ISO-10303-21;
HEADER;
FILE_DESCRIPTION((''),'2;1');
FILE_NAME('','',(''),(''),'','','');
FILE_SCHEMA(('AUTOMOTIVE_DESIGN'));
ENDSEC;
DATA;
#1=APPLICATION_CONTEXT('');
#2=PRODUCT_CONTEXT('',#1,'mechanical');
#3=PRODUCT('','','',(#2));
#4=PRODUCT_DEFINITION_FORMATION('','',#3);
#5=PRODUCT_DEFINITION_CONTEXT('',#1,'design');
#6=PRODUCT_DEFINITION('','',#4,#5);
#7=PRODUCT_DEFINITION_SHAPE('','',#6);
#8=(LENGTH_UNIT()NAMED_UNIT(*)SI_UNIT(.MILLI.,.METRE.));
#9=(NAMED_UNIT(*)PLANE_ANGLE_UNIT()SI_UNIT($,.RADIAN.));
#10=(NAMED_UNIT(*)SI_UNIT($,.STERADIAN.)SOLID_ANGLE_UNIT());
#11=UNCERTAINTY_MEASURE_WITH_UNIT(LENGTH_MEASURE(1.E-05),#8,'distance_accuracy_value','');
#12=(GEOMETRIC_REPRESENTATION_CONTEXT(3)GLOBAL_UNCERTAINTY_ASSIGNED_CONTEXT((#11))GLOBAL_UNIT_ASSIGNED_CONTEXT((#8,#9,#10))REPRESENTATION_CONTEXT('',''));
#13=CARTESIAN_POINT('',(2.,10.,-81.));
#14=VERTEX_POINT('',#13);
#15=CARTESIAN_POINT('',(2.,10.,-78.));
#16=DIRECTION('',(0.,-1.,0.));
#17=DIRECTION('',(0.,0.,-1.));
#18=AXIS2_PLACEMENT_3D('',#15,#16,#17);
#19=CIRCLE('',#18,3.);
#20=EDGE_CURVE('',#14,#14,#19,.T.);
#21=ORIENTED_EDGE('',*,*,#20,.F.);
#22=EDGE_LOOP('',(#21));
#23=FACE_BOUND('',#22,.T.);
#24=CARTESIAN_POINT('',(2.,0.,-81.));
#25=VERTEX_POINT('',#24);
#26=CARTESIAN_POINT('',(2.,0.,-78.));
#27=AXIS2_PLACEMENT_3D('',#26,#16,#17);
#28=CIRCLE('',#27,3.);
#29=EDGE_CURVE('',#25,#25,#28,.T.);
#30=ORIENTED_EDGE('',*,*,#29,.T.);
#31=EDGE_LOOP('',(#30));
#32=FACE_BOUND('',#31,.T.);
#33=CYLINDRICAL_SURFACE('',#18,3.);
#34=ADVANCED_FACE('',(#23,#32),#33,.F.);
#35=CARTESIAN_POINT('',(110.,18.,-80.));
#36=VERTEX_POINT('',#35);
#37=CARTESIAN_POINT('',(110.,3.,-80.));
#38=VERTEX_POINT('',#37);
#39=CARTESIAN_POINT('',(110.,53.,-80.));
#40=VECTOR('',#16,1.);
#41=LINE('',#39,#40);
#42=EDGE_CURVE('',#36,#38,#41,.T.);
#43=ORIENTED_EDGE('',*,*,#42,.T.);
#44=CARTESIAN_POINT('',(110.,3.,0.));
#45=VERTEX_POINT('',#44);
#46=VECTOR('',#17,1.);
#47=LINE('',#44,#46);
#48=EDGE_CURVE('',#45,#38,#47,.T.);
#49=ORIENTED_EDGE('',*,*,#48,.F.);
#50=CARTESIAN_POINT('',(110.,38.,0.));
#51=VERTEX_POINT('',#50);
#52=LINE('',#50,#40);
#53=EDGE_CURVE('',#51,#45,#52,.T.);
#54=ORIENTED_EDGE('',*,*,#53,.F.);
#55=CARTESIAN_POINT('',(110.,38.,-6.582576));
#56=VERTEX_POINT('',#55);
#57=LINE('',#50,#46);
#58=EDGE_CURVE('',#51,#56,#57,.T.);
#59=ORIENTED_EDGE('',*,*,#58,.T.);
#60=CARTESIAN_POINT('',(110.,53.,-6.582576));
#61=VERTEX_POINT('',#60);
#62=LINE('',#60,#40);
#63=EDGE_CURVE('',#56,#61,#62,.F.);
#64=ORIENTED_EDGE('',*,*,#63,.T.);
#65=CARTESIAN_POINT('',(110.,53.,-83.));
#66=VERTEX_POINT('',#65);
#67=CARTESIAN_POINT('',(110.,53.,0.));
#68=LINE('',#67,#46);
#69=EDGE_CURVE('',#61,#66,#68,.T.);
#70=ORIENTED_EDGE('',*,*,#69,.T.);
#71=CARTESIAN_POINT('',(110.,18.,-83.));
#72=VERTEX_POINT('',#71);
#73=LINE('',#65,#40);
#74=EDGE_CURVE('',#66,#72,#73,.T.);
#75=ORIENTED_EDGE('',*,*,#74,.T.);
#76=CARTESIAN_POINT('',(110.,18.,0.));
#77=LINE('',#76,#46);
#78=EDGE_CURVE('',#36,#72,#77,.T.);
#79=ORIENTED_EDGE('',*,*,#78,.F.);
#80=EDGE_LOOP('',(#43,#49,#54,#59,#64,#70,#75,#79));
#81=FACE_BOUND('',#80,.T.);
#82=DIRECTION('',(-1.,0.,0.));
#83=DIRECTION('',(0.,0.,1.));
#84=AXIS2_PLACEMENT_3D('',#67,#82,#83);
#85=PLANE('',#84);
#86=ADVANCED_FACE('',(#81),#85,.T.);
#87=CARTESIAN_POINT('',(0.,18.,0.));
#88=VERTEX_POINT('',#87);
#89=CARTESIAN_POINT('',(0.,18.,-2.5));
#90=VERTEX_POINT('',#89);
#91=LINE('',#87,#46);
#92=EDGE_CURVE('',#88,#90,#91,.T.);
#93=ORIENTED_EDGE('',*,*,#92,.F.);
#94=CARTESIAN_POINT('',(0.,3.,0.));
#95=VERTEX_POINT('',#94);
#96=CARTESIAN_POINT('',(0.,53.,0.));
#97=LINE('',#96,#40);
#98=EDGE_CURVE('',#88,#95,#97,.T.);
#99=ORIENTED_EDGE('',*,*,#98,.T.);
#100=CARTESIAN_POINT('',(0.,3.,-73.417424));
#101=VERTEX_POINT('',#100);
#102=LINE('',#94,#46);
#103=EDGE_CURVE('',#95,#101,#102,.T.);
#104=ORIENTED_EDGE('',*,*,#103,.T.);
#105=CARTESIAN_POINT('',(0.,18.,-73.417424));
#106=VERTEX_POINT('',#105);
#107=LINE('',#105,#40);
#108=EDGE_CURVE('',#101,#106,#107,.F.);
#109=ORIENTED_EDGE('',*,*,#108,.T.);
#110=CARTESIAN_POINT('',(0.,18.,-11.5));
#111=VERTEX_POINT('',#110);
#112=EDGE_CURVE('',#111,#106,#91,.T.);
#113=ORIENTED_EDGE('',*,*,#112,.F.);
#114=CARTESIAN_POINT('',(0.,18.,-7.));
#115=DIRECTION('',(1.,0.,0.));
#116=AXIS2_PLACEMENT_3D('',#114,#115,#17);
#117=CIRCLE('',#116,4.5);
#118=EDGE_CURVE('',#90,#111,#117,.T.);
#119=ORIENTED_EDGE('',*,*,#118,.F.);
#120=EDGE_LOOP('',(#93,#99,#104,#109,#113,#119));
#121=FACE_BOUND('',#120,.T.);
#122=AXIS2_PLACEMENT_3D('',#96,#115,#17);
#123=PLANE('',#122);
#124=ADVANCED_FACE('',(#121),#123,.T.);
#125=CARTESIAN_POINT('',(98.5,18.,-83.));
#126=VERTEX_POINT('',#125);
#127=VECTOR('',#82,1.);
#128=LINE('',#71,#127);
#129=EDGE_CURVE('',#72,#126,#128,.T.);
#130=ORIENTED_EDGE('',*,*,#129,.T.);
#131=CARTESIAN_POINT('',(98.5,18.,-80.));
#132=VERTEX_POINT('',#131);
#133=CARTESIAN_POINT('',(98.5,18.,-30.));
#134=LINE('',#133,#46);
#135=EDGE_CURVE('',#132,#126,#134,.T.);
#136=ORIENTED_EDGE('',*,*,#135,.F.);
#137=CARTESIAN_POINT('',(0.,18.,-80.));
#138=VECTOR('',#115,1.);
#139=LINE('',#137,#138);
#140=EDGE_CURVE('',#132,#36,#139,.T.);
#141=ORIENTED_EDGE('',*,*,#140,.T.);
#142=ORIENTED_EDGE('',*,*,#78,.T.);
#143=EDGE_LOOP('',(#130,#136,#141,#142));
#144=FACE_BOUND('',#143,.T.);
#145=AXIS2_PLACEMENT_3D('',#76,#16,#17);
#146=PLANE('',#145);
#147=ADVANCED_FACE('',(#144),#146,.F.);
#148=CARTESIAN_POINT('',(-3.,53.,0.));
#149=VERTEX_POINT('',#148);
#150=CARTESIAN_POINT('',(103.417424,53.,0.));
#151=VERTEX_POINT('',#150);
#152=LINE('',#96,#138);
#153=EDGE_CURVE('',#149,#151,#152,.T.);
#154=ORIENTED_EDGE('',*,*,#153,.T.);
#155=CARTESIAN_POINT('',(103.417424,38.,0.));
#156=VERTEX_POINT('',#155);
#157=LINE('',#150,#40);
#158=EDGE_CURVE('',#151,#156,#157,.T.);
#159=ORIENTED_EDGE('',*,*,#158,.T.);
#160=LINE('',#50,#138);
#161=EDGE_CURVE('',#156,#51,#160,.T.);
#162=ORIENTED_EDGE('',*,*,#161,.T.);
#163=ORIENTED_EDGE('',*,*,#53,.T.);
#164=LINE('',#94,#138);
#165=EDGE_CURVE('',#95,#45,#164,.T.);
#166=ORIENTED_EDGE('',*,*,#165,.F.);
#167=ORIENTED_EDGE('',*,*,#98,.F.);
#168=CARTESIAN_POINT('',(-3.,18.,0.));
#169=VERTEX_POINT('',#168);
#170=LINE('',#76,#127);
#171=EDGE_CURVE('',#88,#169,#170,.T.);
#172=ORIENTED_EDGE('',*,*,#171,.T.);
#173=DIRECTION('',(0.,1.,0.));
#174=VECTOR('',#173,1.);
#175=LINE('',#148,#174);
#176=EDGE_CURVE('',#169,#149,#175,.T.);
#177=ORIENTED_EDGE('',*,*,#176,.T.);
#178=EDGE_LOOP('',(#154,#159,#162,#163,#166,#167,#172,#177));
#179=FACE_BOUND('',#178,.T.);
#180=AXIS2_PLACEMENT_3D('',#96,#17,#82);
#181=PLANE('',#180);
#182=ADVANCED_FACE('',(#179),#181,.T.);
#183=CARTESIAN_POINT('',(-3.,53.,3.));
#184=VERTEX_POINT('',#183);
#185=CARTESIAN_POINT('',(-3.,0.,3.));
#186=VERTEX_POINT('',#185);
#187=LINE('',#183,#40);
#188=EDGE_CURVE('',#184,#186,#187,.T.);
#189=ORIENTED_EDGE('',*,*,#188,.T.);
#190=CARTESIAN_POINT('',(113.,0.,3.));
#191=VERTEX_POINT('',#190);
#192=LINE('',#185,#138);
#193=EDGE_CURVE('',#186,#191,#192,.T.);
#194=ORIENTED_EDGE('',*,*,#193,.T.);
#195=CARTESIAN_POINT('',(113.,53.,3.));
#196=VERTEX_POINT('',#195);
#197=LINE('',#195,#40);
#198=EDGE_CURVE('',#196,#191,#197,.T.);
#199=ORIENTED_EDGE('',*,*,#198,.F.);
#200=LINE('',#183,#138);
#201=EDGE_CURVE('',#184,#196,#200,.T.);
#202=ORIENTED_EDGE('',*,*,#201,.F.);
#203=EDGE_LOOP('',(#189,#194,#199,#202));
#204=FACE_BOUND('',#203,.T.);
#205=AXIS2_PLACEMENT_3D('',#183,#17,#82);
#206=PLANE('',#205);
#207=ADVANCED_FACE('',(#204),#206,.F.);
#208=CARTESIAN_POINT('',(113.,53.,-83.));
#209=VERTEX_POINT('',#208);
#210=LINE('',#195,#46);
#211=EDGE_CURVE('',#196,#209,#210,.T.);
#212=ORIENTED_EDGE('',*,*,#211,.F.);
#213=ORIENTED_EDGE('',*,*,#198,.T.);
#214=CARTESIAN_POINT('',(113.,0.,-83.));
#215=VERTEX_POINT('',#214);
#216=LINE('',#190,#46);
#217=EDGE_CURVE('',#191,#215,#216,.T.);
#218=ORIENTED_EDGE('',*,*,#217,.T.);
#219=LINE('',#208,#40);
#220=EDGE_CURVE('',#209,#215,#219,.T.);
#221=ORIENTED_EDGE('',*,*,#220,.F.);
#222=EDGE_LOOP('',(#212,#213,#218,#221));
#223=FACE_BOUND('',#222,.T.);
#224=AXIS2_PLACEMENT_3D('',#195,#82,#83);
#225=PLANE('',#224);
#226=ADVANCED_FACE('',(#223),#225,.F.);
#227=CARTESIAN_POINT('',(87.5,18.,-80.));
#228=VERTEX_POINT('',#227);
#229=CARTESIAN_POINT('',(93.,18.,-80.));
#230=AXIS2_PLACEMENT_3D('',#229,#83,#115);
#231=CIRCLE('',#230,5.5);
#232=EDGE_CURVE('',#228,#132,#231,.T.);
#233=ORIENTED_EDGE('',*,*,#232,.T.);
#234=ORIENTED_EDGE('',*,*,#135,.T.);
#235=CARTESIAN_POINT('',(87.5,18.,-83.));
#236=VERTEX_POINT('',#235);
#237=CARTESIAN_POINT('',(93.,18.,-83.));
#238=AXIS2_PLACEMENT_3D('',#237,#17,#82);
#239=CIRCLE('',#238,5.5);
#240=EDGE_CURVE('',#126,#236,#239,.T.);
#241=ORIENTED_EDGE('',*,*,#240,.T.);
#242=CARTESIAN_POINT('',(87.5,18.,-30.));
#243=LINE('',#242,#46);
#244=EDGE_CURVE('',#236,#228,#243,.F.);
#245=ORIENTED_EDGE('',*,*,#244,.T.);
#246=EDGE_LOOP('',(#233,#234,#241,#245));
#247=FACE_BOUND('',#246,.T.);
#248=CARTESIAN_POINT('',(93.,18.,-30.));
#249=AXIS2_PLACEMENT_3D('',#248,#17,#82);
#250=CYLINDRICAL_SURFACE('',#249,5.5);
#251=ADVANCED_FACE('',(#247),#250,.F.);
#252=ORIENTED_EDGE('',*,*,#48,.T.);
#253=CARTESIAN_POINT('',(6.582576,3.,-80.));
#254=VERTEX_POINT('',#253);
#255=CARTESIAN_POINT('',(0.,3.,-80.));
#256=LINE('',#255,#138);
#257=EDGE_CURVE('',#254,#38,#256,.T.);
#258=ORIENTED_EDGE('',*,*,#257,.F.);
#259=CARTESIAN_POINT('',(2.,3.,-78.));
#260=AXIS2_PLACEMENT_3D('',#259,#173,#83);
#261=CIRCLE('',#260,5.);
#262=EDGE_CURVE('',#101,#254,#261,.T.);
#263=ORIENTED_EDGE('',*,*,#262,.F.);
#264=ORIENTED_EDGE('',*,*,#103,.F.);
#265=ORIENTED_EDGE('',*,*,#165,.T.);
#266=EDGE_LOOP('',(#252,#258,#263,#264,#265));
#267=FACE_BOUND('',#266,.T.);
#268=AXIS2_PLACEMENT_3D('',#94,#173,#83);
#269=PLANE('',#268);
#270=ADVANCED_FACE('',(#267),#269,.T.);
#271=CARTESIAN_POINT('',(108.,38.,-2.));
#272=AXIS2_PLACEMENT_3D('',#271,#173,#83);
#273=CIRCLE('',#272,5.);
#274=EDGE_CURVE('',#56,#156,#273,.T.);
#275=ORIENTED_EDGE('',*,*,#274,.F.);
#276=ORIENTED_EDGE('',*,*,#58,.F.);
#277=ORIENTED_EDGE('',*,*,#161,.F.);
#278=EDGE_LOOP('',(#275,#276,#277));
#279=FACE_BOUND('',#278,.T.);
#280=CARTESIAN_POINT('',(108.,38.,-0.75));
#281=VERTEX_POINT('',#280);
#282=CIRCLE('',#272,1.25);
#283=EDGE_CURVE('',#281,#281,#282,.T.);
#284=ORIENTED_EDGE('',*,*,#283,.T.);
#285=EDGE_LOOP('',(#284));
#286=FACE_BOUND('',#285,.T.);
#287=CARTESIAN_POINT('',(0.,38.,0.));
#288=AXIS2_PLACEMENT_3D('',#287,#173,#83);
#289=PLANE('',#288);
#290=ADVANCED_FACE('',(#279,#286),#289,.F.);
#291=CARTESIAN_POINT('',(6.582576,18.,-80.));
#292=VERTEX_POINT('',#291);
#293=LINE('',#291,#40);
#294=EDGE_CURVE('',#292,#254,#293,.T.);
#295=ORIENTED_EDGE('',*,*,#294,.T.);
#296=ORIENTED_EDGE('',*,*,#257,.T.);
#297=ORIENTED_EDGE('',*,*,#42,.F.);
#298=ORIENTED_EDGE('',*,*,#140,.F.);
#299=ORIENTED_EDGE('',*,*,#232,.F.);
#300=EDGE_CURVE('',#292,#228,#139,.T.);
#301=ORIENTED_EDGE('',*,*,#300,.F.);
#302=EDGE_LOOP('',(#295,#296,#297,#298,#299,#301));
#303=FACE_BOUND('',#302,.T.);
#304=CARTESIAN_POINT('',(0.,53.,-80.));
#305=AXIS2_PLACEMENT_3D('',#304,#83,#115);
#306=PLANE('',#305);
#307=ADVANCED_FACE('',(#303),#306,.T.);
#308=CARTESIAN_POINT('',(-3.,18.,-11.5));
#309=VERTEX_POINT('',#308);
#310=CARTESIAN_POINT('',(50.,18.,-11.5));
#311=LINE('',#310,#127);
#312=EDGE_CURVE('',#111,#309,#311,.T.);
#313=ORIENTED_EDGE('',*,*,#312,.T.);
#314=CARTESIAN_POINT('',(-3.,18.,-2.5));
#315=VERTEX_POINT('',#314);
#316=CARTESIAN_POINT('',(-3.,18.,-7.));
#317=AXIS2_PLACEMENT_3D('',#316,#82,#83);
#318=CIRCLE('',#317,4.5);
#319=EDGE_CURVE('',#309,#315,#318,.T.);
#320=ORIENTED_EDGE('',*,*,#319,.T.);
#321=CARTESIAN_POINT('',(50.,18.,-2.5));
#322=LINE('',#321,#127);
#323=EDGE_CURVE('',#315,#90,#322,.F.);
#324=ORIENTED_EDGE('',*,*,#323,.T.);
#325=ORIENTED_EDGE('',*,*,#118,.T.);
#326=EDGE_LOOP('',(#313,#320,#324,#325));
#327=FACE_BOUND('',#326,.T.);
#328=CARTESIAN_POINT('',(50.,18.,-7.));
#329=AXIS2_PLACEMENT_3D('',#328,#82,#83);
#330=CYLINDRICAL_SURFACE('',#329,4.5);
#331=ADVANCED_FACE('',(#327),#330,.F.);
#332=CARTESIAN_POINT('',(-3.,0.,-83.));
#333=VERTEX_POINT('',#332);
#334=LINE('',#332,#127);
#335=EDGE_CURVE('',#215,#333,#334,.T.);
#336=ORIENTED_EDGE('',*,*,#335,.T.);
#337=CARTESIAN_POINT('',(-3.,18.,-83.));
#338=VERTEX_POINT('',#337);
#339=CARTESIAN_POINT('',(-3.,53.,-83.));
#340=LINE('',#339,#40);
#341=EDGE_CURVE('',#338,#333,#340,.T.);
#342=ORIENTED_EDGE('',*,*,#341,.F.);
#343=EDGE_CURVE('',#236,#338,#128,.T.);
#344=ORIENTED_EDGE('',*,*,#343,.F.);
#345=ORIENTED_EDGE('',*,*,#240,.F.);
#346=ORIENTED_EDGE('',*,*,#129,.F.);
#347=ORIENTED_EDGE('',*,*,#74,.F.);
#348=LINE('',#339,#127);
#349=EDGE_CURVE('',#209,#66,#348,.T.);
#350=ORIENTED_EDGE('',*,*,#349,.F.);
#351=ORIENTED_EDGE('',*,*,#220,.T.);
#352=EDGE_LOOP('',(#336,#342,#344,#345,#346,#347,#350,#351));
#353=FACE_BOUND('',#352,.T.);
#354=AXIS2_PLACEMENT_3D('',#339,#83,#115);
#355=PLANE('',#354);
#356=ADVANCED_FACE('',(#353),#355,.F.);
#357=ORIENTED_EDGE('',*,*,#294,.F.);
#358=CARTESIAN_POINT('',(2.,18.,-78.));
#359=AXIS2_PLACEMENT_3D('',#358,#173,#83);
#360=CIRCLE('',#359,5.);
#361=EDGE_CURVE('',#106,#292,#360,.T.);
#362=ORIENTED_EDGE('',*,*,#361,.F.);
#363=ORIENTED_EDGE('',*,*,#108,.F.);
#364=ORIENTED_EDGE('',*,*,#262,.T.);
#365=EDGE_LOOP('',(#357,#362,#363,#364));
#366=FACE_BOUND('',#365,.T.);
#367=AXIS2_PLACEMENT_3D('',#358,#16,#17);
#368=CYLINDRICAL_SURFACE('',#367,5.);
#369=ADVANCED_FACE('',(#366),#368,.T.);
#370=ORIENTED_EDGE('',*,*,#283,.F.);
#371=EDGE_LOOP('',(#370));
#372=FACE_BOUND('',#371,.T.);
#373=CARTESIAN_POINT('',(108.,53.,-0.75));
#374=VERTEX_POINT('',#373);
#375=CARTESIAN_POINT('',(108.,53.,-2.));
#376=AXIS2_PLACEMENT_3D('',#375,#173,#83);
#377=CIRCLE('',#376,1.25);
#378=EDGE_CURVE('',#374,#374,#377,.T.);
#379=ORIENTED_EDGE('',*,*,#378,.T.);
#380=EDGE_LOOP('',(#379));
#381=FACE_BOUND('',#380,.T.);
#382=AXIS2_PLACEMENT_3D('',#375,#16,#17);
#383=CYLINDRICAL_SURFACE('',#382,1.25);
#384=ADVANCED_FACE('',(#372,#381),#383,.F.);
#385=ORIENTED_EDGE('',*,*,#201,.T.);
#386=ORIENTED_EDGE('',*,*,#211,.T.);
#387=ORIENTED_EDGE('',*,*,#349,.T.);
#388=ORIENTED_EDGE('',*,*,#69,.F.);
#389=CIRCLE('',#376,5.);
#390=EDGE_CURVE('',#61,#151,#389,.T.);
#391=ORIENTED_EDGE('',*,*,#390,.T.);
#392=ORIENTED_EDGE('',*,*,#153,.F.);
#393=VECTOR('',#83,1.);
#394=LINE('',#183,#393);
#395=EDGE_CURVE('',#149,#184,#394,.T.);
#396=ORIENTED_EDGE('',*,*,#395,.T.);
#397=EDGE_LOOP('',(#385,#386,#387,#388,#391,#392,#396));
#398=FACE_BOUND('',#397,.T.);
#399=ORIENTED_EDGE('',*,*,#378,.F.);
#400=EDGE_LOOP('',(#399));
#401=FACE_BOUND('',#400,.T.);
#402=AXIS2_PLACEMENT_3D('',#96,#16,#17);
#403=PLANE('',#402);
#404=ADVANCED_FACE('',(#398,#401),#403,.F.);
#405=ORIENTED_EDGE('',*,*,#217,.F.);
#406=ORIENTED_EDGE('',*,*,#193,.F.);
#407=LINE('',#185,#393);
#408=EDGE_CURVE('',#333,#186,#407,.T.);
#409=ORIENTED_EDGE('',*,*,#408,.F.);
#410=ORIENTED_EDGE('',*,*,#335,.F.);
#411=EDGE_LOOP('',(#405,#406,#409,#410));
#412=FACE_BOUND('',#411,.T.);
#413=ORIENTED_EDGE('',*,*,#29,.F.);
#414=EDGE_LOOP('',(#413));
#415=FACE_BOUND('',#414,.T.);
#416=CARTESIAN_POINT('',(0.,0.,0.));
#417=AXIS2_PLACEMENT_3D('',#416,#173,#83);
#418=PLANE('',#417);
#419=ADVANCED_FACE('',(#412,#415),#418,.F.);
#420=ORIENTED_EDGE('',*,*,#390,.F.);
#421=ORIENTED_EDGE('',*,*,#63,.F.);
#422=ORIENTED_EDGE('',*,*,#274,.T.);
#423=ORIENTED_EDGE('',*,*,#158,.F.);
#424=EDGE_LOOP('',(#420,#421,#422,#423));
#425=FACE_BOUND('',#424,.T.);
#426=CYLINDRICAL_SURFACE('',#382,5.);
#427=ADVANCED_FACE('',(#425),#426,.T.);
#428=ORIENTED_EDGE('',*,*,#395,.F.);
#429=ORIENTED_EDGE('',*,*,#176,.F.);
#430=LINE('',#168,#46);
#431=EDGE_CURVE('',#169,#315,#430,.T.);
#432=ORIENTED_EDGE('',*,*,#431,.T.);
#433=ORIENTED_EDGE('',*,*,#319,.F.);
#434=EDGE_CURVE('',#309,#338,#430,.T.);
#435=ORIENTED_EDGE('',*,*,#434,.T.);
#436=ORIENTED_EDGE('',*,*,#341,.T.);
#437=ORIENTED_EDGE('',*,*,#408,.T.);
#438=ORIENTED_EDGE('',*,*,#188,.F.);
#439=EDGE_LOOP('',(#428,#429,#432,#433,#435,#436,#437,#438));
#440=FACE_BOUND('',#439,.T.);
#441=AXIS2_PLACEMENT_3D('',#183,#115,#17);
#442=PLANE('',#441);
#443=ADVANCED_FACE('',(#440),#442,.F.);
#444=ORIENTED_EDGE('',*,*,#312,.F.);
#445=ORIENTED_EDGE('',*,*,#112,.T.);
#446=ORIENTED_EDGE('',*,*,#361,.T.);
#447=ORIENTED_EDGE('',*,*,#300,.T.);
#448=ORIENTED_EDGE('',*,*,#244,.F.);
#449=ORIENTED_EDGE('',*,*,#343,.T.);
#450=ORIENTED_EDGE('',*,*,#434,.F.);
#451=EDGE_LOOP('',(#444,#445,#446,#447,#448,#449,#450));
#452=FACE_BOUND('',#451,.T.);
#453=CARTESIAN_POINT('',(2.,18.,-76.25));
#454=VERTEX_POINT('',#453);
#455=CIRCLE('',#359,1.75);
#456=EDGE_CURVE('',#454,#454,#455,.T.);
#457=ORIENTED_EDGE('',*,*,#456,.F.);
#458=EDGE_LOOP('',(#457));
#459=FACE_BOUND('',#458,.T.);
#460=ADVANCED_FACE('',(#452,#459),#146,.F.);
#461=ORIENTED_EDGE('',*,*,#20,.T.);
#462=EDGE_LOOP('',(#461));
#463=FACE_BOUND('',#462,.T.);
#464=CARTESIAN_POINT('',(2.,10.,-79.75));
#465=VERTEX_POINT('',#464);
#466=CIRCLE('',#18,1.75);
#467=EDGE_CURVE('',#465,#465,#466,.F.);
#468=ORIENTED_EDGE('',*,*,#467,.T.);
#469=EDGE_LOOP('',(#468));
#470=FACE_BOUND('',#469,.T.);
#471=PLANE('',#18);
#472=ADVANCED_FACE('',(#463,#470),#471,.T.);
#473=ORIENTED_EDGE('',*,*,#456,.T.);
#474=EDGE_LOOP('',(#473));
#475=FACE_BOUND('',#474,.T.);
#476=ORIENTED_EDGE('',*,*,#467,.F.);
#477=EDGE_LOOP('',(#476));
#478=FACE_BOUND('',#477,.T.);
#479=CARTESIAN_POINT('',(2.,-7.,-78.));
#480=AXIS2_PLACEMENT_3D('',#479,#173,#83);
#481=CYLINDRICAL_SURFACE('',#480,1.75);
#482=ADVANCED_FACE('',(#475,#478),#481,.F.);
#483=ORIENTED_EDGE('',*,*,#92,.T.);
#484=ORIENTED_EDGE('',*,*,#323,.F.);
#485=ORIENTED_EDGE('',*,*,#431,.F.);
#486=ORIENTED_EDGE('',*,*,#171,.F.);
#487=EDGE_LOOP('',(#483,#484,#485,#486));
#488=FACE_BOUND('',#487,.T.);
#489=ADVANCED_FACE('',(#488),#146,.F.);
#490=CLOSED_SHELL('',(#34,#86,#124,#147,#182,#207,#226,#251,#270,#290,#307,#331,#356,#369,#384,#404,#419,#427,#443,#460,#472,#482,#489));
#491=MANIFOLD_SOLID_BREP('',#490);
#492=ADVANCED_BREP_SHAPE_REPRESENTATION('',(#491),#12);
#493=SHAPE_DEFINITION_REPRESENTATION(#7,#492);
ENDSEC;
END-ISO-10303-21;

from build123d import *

# Parameters (mm, degrees)
SKETCH1_W           = 110
SKETCH1_H           = 80
BOSS_EXTRUDE1_DEPTH = 3
SKETCH1_3_W         = 116
SKETCH1_3_H         = 86
SKETCH1_3_W_2       = 110
SKETCH1_3_H_2       = 80
BOSS_EXTRUDE2_DEPTH = 53
SKETCH2_R           = 4.5
CUT_EXTRUDE1_DEPTH  = 53
SKETCH3_R           = 5.5
CUT_EXTRUDE2_DEPTH  = 53
SKETCH5_W           = 113
SKETCH5_H           = 35
CUT_EXTRUDE3_DEPTH  = 83
SKETCH6_R           = 5
BOSS_EXTRUDE3_DEPTH = 15
SKETCH8_R           = 1.75
CUT_EXTRUDE4_DEPTH  = 25
SKETCH9_R           = 3
CUT_EXTRUDE5_DEPTH  = 10
SKETCH10_R          = 5
SKETCH10_R_2        = 1.25
BOSS_EXTRUDE4_DEPTH = 50
SKETCH11_W          = 33.464657476
SKETCH11_H          = 24.968484897
CUT_EXTRUDE7_DEPTH  = 35


with BuildPart() as part:
    # Sketch1 → Boss-Extrude1 (new body)
    with BuildSketch(Plane(origin=(0, 0, 0), x_dir=(1, 0, 0), z_dir=(0, 1, 0))):
        with Locations((55, 40)):
            Rectangle(SKETCH1_W, SKETCH1_H)
    extrude(amount=BOSS_EXTRUDE1_DEPTH)

    # Sketch1<3> → Boss-Extrude2 (add)
    with BuildSketch(Plane(origin=(0, 0, 0), x_dir=(1, 0, 0), z_dir=(0, 1, 0))):
        with Locations((55, 40)):
            Rectangle(SKETCH1_3_W, SKETCH1_3_H)
        with Locations((55, 40)):
            Rectangle(SKETCH1_3_W_2, SKETCH1_3_H_2, mode=Mode.SUBTRACT)
    extrude(amount=BOSS_EXTRUDE2_DEPTH)

    # Sketch2 → Cut-Extrude1 (cut)
    with BuildSketch(Plane.ZY.offset(3)):
        with Locations((-7, 18)):
            Circle(SKETCH2_R)
    extrude(amount=-CUT_EXTRUDE1_DEPTH, mode=Mode.SUBTRACT)

    # Sketch3 → Cut-Extrude2 (cut)
    with BuildSketch(Plane(origin=(0, 0, -83), x_dir=(-1, 0, 0), z_dir=(0, 0, -1))):
        with Locations((-93, 18)):
            Circle(SKETCH3_R)
    extrude(amount=-CUT_EXTRUDE2_DEPTH, mode=Mode.SUBTRACT)

    # Sketch5 → Cut-Extrude3 (cut)
    with BuildSketch(Plane(origin=(0, 0, -83), x_dir=(-1, 0, 0), z_dir=(0, 0, -1))):
        with Locations((-53.5, 35.5)):
            Rectangle(SKETCH5_W, SKETCH5_H)
    extrude(amount=-CUT_EXTRUDE3_DEPTH, mode=Mode.SUBTRACT)

    # Sketch6 → Boss-Extrude3 (add)
    with BuildSketch(Plane(origin=(0, 3, 0), x_dir=(1, 0, 0), z_dir=(0, 1, 0))):
        with Locations((2, 78)):
            Circle(SKETCH6_R)
    extrude(amount=BOSS_EXTRUDE3_DEPTH)

    # Sketch8 → Cut-Extrude4 (cut)
    with BuildSketch(Plane(origin=(0, 18, 0), x_dir=(1, 0, 0), z_dir=(0, 1, 0))):
        with Locations((2, 78)):
            Circle(SKETCH8_R)
    extrude(amount=-CUT_EXTRUDE4_DEPTH, mode=Mode.SUBTRACT)

    # Sketch9 → Cut-Extrude5 (cut)
    with BuildSketch(Plane(origin=(0, 0, 0), x_dir=(-1, 0, 0), z_dir=(0, -1, 0))):
        with Locations((-2, 78)):
            Circle(SKETCH9_R)
    extrude(amount=-CUT_EXTRUDE5_DEPTH, mode=Mode.SUBTRACT)

    # Sketch10 → Boss-Extrude4 (add)
    with BuildSketch(Plane(origin=(0, 3, 0), x_dir=(1, 0, 0), z_dir=(0, 1, 0))):
        with Locations((108, 2)):
            Circle(SKETCH10_R)
        with Locations((108, 2)):
            Circle(SKETCH10_R_2, mode=Mode.SUBTRACT)
    extrude(amount=BOSS_EXTRUDE4_DEPTH)

    # Sketch11 → Cut-Extrude7 (cut)
    with BuildSketch(Plane(origin=(0, 3, 0), x_dir=(1, 0, 0), z_dir=(0, 1, 0))):
        with Locations((93.267671262, 12.484242449)):
            Rectangle(SKETCH11_W, SKETCH11_H)
    extrude(amount=CUT_EXTRUDE7_DEPTH, mode=Mode.SUBTRACT)


solid = part.part
